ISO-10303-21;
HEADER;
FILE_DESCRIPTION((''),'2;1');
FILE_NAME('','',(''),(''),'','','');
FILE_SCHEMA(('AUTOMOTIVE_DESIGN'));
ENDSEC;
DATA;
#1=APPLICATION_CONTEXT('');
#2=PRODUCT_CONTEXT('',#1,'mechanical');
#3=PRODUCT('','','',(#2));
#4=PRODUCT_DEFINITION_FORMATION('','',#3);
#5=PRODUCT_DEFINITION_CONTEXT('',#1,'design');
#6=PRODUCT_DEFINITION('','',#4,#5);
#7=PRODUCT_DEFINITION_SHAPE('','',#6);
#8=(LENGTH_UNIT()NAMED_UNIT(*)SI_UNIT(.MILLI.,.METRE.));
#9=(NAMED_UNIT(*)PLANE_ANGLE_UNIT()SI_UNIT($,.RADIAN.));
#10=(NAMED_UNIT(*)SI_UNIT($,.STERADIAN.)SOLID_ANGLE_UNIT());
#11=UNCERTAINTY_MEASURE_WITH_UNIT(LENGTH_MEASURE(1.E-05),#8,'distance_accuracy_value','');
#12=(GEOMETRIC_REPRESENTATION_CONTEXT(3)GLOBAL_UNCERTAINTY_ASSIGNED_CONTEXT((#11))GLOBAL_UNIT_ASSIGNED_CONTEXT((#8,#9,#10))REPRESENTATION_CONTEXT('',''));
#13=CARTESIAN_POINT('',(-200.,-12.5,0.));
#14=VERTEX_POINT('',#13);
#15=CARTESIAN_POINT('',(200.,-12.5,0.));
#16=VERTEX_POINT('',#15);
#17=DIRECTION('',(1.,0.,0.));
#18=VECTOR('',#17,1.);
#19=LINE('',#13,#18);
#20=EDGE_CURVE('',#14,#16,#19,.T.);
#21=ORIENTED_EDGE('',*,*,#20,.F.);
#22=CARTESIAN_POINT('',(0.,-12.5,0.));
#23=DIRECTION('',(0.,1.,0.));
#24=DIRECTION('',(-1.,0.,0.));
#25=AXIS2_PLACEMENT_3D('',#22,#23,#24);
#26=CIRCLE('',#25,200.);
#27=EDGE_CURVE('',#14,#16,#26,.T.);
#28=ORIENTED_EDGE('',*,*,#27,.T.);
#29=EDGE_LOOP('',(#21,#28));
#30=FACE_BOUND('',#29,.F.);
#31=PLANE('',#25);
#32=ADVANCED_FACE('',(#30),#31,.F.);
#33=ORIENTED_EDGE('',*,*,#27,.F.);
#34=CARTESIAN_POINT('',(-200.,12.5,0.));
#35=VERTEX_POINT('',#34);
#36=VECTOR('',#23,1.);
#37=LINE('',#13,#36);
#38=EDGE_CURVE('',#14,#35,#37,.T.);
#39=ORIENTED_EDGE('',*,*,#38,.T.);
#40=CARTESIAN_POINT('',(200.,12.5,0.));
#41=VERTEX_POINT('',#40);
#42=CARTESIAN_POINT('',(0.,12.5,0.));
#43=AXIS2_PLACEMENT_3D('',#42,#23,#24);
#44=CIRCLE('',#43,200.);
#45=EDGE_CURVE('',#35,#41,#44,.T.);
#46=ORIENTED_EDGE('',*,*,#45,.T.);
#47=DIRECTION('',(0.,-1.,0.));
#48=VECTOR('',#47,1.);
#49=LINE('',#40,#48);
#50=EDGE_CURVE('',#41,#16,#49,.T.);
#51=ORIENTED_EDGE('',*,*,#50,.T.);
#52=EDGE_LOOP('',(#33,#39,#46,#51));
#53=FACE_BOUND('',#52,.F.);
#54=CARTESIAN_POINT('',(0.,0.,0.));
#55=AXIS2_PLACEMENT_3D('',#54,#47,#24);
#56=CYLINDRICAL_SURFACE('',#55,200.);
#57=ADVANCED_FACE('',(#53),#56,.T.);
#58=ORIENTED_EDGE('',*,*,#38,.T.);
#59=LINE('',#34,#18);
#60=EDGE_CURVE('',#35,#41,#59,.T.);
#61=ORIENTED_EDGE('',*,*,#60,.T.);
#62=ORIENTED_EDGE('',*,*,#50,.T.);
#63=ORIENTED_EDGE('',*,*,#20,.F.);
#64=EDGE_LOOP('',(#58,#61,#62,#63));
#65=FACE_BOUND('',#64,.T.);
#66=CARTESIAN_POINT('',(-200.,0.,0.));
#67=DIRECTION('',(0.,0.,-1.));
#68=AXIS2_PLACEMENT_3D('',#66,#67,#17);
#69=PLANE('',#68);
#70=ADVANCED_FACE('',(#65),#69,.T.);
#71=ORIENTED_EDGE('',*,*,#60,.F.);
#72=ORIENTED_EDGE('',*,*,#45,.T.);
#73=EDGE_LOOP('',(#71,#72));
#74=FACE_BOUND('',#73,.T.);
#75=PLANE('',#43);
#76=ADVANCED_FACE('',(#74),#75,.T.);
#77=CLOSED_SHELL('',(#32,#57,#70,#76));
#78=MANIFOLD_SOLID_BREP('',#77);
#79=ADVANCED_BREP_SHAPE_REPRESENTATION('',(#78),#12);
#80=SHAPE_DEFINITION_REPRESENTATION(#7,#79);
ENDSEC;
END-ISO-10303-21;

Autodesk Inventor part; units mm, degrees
ref_plane "YZ Plane" through (0, 0, 0) normal (1, 0, 0) x (0, 1, 0)
ref_plane "XZ Plane" through (0, 0, 0) normal (0, 1, 0) x (-1, 0, 0)
ref_plane "XY Plane" through (0, 0, 0) normal (0, 0, 1) x (1, 0, 0)
sketch "Эскиз2" plane through (0, 0, 0) normal (0, 1, 0) x (-1, 0, 0)
  line L0 (200, 0) -> (-200, 0)
  arc A0 (200, 0) -> (-200, 0) centre (0, 0) ccw
  dimension "d0" = 400
  dimension "d1" = 200
extrude "Выдавливание1" add sketch "Эскиз2" along normal mid plane 25
properties part number "Веер"
